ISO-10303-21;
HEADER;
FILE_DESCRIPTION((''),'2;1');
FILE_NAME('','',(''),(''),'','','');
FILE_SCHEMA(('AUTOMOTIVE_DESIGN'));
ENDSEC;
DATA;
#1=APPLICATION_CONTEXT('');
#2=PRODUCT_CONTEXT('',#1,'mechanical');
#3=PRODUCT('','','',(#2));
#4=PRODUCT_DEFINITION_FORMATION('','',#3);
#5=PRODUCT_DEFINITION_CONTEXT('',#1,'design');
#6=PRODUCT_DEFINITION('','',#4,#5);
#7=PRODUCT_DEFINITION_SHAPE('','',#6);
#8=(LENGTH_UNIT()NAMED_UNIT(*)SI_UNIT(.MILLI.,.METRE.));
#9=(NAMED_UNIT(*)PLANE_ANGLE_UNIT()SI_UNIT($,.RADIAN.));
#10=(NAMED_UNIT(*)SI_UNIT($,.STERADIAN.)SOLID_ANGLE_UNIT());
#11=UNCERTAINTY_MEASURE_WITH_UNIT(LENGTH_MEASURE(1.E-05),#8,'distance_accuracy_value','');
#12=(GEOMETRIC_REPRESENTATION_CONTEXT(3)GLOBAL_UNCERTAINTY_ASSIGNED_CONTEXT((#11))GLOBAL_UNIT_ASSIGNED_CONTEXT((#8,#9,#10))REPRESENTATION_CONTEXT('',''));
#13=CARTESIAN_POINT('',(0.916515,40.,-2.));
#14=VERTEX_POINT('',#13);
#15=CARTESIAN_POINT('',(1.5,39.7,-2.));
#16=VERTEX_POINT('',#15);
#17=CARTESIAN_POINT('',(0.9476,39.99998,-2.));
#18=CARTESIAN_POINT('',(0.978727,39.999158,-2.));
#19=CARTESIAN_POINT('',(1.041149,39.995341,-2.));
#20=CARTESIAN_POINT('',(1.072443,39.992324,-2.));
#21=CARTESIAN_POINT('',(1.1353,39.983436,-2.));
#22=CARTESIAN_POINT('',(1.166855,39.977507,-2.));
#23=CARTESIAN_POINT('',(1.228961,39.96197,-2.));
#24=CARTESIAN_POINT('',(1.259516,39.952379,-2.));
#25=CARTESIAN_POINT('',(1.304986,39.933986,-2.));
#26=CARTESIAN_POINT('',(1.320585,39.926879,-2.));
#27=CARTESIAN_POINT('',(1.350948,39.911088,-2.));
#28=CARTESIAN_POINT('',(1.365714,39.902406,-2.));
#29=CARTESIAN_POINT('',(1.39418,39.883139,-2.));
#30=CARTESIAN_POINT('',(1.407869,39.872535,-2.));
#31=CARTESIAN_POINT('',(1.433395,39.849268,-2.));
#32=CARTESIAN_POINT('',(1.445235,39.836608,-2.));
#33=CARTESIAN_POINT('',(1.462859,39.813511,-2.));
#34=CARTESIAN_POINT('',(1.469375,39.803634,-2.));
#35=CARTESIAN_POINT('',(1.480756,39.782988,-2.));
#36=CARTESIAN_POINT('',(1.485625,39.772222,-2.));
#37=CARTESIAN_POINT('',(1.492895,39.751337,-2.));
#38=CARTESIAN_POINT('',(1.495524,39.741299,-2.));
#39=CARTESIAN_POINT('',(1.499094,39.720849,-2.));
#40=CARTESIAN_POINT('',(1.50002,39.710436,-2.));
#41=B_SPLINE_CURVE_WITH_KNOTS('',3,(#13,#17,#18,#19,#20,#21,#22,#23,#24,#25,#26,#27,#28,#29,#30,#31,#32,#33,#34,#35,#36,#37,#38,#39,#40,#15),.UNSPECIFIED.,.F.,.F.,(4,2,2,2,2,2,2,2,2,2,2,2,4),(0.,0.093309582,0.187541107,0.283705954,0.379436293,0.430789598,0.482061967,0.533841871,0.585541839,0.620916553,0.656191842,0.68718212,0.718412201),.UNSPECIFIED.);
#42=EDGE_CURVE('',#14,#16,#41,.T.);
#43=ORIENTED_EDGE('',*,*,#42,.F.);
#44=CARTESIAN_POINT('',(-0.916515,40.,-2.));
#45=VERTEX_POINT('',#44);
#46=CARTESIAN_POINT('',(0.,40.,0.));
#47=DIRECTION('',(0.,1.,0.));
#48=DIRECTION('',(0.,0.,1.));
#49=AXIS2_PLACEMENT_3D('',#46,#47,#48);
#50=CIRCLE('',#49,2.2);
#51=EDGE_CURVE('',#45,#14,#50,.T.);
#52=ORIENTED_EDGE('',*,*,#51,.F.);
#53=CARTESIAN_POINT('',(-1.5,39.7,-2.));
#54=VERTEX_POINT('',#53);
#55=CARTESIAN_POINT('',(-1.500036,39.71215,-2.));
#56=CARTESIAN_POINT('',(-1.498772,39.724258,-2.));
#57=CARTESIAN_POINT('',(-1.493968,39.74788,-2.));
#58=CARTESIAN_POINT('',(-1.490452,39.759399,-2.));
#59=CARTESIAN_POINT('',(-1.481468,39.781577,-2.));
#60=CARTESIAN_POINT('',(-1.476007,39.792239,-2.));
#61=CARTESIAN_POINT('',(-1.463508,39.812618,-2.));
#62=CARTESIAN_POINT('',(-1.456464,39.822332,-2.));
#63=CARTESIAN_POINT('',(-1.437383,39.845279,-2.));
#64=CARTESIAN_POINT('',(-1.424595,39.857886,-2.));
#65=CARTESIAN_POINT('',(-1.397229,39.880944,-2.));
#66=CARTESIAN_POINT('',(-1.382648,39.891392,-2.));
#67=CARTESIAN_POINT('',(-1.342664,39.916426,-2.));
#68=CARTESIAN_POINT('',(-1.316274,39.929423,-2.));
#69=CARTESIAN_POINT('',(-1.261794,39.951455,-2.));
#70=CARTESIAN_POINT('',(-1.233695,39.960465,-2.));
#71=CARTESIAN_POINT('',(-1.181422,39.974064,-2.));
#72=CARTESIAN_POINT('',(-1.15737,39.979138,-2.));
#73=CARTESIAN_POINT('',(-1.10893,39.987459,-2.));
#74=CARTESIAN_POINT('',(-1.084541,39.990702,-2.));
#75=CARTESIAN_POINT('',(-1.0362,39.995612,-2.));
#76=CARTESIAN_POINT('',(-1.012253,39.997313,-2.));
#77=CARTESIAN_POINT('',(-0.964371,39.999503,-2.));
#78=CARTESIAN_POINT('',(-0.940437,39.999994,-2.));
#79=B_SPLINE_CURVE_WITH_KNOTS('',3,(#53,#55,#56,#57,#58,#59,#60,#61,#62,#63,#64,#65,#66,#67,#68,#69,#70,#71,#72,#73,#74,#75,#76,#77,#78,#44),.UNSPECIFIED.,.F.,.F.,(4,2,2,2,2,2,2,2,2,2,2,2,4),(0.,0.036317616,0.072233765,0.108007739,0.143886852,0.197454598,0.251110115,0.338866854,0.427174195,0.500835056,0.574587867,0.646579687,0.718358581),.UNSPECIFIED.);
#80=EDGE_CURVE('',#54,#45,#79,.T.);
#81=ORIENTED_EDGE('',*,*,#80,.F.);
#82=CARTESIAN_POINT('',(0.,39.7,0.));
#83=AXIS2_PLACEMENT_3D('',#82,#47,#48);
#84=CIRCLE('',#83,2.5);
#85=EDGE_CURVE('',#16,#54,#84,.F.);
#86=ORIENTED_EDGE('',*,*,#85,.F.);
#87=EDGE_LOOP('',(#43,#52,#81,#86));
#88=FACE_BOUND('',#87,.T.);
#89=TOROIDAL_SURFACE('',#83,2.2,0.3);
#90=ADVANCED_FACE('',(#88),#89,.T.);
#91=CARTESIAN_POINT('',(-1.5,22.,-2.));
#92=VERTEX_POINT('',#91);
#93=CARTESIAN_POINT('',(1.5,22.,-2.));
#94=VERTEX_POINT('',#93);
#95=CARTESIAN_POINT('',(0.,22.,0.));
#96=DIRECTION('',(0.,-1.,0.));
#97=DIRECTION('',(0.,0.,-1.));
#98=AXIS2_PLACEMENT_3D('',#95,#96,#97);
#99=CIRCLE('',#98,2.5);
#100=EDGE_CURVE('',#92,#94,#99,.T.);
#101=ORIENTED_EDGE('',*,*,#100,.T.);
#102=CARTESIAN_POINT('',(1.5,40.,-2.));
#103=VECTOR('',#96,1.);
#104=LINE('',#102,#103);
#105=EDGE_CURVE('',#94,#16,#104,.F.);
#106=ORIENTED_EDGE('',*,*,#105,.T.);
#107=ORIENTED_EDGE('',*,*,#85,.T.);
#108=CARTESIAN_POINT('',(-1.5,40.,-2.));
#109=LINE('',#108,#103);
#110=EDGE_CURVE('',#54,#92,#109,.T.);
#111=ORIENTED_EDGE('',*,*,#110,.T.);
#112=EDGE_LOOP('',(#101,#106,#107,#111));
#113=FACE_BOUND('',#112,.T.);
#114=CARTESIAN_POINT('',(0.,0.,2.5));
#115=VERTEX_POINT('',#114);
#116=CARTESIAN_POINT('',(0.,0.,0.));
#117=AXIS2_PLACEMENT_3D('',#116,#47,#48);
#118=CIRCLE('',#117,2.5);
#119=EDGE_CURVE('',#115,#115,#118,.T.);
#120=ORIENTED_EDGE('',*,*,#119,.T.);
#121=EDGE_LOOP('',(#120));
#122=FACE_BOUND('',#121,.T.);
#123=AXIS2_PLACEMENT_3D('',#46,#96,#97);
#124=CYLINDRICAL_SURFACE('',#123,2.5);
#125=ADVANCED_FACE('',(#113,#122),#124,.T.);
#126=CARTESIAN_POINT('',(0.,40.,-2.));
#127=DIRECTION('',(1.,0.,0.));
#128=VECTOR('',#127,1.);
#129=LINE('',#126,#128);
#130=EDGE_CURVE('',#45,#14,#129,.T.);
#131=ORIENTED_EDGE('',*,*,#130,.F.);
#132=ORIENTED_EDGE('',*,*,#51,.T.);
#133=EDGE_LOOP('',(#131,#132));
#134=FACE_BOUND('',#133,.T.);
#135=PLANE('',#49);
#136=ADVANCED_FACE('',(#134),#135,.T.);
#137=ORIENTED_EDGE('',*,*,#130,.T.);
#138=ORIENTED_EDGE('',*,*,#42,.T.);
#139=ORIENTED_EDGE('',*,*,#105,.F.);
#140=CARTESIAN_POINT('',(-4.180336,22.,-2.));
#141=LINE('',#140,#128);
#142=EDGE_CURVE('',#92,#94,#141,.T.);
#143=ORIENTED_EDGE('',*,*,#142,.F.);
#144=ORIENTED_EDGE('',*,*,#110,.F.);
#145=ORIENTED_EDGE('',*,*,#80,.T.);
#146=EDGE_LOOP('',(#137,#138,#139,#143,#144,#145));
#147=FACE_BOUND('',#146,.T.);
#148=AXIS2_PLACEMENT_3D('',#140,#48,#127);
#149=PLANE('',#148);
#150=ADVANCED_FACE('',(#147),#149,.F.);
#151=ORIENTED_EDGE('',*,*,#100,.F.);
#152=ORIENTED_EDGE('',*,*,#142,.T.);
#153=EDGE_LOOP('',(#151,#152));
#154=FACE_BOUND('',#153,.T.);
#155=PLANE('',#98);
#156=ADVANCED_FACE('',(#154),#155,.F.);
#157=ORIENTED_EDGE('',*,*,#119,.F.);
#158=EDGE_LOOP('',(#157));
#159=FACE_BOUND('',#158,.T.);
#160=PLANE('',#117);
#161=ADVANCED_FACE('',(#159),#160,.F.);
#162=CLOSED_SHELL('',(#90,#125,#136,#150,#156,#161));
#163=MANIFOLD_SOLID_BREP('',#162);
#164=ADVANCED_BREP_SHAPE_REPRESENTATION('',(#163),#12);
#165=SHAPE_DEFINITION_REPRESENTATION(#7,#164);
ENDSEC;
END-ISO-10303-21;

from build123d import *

# Parameters (mm, degrees)
SKETCH1_R           = 2.5
BOSS_EXTRUDE1_DEPTH = 40
SKETCH2_W           = 8.231649798
SKETCH2_H           = 2.477236303
CUT_EXTRUDE1_DEPTH  = 18
FILLET1_R           = 0.3


with BuildPart() as part:
    # Sketch1 → Boss-Extrude1 (new body)
    with BuildSketch(Plane(origin=(0, 0, 0), x_dir=(1, 0, 0), z_dir=(0, 1, 0))):
        with Locations(Location((0, 0, 0), (0, 0, 270))):
            Circle(SKETCH1_R)
    extrude(amount=BOSS_EXTRUDE1_DEPTH)

    # Sketch2 → Cut-Extrude1 (cut)
    with BuildSketch(Plane(origin=(0, 40, 0), x_dir=(1, 0, 0), z_dir=(0, 1, 0))):
        with Locations((-0.064511362, 3.238618152)):
            Rectangle(SKETCH2_W, SKETCH2_H)
    extrude(amount=-CUT_EXTRUDE1_DEPTH, mode=Mode.SUBTRACT)

    # Fillet1
    fillet1_edges = [part.edges().sort_by_distance(p)[0] for p in [
        (2.371708245, 40, 0.790569415),
    ]]
    fillet(fillet1_edges, radius=FILLET1_R)


solid = part.part
